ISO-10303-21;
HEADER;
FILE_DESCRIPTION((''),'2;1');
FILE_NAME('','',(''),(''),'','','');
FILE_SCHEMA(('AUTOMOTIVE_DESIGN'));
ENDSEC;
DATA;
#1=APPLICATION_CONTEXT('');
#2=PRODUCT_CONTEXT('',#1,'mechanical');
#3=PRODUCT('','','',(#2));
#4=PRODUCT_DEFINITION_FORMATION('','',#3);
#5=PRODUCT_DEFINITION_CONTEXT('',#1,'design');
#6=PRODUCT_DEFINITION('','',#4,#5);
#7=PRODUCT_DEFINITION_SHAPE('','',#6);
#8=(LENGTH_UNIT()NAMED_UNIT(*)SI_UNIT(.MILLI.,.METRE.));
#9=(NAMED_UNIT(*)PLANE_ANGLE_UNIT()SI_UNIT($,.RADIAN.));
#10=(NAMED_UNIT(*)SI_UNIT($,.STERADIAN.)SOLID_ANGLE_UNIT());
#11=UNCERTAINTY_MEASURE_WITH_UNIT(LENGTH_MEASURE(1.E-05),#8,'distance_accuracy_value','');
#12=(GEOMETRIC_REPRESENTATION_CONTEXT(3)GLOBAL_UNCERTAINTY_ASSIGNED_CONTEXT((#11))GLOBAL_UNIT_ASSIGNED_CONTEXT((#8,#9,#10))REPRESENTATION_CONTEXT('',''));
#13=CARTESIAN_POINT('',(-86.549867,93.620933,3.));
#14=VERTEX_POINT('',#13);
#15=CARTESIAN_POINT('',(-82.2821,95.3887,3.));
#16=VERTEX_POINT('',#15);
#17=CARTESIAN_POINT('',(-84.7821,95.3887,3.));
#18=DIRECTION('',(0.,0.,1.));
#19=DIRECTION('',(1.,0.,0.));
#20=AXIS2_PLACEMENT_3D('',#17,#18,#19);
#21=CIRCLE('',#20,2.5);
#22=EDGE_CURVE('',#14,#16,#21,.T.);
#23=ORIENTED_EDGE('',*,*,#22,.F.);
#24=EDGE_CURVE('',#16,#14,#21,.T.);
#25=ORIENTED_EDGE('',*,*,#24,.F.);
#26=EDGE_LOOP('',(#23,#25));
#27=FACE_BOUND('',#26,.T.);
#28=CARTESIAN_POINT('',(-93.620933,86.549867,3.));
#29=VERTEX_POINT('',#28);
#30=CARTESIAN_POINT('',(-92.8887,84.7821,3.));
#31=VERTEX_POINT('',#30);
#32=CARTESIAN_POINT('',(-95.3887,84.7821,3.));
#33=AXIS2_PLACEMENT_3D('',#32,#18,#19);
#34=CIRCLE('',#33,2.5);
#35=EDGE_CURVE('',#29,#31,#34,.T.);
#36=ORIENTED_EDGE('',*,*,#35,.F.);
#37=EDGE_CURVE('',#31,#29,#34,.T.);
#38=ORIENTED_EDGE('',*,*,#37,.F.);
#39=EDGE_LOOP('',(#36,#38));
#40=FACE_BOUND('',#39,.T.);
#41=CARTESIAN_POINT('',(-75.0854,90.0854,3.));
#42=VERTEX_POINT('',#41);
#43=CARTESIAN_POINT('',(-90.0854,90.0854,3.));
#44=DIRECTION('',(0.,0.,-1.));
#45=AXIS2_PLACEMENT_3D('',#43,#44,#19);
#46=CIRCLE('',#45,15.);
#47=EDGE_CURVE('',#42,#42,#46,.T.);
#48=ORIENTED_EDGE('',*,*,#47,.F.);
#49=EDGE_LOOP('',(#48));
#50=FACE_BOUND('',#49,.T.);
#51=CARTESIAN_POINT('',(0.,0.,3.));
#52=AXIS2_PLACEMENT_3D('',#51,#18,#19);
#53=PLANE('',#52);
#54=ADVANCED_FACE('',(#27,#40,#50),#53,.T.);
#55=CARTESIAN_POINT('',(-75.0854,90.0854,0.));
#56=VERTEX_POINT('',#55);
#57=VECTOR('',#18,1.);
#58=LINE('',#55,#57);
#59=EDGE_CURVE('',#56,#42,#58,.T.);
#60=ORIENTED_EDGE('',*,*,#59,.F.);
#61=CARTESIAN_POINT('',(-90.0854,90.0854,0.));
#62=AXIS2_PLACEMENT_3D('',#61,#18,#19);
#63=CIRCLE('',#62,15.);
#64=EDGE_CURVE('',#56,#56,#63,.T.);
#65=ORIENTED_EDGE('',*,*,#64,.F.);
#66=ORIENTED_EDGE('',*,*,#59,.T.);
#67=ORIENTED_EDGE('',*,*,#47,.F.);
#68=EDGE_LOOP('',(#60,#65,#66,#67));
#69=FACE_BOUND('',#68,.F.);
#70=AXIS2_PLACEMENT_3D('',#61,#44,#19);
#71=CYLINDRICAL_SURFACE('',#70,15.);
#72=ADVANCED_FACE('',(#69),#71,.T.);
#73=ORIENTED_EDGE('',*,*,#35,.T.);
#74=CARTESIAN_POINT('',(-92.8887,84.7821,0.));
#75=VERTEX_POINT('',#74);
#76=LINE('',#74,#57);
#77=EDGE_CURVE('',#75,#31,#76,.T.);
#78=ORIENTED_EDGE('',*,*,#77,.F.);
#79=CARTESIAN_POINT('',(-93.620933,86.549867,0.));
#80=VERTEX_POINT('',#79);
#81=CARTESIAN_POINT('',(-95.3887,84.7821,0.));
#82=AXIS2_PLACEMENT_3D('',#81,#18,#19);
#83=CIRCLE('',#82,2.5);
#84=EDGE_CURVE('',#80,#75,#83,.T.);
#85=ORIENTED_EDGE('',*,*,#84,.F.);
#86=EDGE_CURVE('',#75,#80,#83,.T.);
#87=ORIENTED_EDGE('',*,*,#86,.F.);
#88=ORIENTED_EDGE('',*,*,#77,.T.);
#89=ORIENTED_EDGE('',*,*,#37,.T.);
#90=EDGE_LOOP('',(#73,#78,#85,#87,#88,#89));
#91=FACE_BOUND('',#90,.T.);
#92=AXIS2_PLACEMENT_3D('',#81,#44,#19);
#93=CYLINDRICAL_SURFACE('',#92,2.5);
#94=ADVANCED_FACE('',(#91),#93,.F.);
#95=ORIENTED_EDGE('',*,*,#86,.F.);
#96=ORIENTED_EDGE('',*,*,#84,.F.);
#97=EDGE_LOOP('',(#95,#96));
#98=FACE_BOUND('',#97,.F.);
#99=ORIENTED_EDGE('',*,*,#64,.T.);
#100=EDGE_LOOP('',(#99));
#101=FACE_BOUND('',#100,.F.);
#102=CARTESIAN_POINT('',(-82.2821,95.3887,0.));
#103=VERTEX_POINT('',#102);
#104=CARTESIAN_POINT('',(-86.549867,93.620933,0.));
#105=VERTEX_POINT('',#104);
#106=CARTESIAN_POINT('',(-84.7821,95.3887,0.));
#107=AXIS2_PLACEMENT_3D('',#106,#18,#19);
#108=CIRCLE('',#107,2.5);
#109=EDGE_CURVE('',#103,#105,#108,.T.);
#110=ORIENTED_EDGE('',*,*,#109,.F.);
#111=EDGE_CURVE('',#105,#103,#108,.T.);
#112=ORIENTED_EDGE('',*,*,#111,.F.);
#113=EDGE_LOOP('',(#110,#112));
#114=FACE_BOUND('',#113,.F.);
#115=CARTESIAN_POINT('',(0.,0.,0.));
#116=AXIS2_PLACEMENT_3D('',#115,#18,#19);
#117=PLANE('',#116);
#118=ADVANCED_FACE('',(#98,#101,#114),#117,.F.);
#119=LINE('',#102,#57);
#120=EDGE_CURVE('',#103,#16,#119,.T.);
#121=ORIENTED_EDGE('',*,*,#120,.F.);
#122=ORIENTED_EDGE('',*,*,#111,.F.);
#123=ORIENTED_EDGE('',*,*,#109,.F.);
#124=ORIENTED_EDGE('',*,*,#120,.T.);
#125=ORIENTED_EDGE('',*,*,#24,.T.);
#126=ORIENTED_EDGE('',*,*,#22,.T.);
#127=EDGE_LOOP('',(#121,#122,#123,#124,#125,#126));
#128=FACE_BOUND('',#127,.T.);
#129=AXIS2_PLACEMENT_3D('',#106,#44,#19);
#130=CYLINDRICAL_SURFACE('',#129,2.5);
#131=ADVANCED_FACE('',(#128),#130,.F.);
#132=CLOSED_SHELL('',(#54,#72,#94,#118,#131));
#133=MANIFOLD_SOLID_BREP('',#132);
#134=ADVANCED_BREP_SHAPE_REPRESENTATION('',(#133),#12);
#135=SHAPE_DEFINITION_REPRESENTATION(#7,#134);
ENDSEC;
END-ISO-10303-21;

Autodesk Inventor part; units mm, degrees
ref_plane "YZ Plane" through (0, 0, 0) normal (1, 0, 0) x (0, 1, 0)
ref_plane "XZ Plane" through (0, 0, 0) normal (0, 1, 0) x (-1, 0, 0)
ref_plane "XY Plane" through (0, 0, 0) normal (0, 0, 1) x (1, 0, 0)
sketch "Sketch1" plane through (0, 0, 0) normal (0, 0, 1) x (1, 0, 0)
  arc A0 (107.7631, -107.7631) -> (-107.7631, 107.7631) centre (0, 0) ccw
  line L0 (152.4, 0) -> (127, 0)
  line L1 (127, -1.66) -> (127, 1.66)
  line L2 (127, 1.66) -> (50.7729, 1.66)
  line L3 (50.7729, -1.66) -> (127, -1.66)
  line L4 (-64.9376, 109.1552) -> (-26.824, 43.1406)
  line L5 (-23.9488, 44.8006) -> (-62.0624, 110.8152)
  line L6 (-1.66, 127) -> (-1.66, 50.7729)
  line L7 (1.66, 50.7729) -> (1.66, 127)
  line L8 (1.66, 127) -> (-1.66, 127)
  line L9 (-62.0624, 110.8152) -> (-64.9376, 109.1552)
  line L10 (35.921, 35.921) -> (107.7631, 107.7631)
  line L11 (0, 0) -> (152.4, 0) construction
  line L12 (0, 0) -> (152.4, 0) construction
  line L13 (107.7631, -107.7631) -> (35.921, -35.921)
  line L14 (-35.921, 35.921) -> (-107.7631, 107.7631)
  arc A1 (-26.824, 43.1406) -> (-35.921, 35.921) centre (0, 0) ccw
  arc A2 (35.921, -35.921) -> (1.66, 50.7729) centre (0, 0) ccw
  arc A3 (-1.66, 50.7729) -> (-23.9488, 44.8006) centre (0, 0) ccw
  line L15 (35.921, 35.921) -> (53.5987, 53.5987)
  line L16 (107.7631, 107.7631) -> (90.0854, 90.0854)
  circle A4 centre (53.5987, 53.5987) radius 15
  line L17 (53.5987, 53.5987) -> (58.902, 48.2954)
  line L18 (53.5987, 53.5987) -> (48.2954, 58.902)
  circle A5 centre (48.2954, 58.902) radius 2.5
  circle A6 centre (58.902, 48.2954) radius 2.5
  circle A7 centre (90.0854, 90.0854) radius 15
  line L19 (90.0854, 90.0854) -> (95.3887, 84.7821)
  line L20 (90.0854, 90.0854) -> (84.7821, 95.3887)
  circle A8 centre (84.7821, 95.3887) radius 2.5
  circle A9 centre (95.3887, 84.7821) radius 2.5
  line L21 (-90.0854, 90.0854) -> (-84.7821, 95.3887)
  circle A10 centre (-84.7821, 95.3887) radius 2.5
  circle A11 centre (-90.0854, 90.0854) radius 15
  line L22 (-90.0854, 90.0854) -> (-95.3887, 84.7821)
  circle A12 centre (-95.3887, 84.7821) radius 2.5
  circle A13 centre (-58.902, 48.2954) radius 2.5
  circle A14 centre (-53.5987, 53.5987) radius 15
  line L23 (-53.5987, 53.5987) -> (-58.902, 48.2954)
  circle A15 centre (-48.2954, 58.902) radius 2.5
  line L24 (-53.5987, 53.5987) -> (-48.2954, 58.902)
  line L25 (90.0854, -90.0854) -> (84.7821, -95.3887)
  circle A16 centre (84.7821, -95.3887) radius 2.5
  circle A17 centre (90.0854, -90.0854) radius 15
  line L26 (90.0854, -90.0854) -> (95.3887, -84.7821)
  circle A18 centre (95.3887, -84.7821) radius 2.5
  circle A19 centre (58.902, -48.2954) radius 2.5
  circle A20 centre (53.5987, -53.5987) radius 15
  line L27 (53.5987, -53.5987) -> (58.902, -48.2954)
  circle A21 centre (48.2954, -58.902) radius 2.5
  line L28 (53.5987, -53.5987) -> (48.2954, -58.902)
  point P0 (50.8, 0)
  dimension "d2" = 25.4
  dimension "d3" = 3.32
  dimension "d10" = 45
  dimension "d12" = 25
  dimension "d13" = 25
  dimension "d14" = 30
  dimension "d15" = 7.5
  dimension "d16" = 7.5
  dimension "d17" = 5
  dimension "d18" = 5
  dimension "d19" = 30
  dimension "d20" = 7.5
  dimension "d21" = 7.5
  dimension "d22" = 5
  dimension "d23" = 5
extrude "Extrusion5" add sketch "Sketch1" along normal blind 3 contours A11 L14 | L14 A11
properties part number "fin_alignment_rig_part3"
